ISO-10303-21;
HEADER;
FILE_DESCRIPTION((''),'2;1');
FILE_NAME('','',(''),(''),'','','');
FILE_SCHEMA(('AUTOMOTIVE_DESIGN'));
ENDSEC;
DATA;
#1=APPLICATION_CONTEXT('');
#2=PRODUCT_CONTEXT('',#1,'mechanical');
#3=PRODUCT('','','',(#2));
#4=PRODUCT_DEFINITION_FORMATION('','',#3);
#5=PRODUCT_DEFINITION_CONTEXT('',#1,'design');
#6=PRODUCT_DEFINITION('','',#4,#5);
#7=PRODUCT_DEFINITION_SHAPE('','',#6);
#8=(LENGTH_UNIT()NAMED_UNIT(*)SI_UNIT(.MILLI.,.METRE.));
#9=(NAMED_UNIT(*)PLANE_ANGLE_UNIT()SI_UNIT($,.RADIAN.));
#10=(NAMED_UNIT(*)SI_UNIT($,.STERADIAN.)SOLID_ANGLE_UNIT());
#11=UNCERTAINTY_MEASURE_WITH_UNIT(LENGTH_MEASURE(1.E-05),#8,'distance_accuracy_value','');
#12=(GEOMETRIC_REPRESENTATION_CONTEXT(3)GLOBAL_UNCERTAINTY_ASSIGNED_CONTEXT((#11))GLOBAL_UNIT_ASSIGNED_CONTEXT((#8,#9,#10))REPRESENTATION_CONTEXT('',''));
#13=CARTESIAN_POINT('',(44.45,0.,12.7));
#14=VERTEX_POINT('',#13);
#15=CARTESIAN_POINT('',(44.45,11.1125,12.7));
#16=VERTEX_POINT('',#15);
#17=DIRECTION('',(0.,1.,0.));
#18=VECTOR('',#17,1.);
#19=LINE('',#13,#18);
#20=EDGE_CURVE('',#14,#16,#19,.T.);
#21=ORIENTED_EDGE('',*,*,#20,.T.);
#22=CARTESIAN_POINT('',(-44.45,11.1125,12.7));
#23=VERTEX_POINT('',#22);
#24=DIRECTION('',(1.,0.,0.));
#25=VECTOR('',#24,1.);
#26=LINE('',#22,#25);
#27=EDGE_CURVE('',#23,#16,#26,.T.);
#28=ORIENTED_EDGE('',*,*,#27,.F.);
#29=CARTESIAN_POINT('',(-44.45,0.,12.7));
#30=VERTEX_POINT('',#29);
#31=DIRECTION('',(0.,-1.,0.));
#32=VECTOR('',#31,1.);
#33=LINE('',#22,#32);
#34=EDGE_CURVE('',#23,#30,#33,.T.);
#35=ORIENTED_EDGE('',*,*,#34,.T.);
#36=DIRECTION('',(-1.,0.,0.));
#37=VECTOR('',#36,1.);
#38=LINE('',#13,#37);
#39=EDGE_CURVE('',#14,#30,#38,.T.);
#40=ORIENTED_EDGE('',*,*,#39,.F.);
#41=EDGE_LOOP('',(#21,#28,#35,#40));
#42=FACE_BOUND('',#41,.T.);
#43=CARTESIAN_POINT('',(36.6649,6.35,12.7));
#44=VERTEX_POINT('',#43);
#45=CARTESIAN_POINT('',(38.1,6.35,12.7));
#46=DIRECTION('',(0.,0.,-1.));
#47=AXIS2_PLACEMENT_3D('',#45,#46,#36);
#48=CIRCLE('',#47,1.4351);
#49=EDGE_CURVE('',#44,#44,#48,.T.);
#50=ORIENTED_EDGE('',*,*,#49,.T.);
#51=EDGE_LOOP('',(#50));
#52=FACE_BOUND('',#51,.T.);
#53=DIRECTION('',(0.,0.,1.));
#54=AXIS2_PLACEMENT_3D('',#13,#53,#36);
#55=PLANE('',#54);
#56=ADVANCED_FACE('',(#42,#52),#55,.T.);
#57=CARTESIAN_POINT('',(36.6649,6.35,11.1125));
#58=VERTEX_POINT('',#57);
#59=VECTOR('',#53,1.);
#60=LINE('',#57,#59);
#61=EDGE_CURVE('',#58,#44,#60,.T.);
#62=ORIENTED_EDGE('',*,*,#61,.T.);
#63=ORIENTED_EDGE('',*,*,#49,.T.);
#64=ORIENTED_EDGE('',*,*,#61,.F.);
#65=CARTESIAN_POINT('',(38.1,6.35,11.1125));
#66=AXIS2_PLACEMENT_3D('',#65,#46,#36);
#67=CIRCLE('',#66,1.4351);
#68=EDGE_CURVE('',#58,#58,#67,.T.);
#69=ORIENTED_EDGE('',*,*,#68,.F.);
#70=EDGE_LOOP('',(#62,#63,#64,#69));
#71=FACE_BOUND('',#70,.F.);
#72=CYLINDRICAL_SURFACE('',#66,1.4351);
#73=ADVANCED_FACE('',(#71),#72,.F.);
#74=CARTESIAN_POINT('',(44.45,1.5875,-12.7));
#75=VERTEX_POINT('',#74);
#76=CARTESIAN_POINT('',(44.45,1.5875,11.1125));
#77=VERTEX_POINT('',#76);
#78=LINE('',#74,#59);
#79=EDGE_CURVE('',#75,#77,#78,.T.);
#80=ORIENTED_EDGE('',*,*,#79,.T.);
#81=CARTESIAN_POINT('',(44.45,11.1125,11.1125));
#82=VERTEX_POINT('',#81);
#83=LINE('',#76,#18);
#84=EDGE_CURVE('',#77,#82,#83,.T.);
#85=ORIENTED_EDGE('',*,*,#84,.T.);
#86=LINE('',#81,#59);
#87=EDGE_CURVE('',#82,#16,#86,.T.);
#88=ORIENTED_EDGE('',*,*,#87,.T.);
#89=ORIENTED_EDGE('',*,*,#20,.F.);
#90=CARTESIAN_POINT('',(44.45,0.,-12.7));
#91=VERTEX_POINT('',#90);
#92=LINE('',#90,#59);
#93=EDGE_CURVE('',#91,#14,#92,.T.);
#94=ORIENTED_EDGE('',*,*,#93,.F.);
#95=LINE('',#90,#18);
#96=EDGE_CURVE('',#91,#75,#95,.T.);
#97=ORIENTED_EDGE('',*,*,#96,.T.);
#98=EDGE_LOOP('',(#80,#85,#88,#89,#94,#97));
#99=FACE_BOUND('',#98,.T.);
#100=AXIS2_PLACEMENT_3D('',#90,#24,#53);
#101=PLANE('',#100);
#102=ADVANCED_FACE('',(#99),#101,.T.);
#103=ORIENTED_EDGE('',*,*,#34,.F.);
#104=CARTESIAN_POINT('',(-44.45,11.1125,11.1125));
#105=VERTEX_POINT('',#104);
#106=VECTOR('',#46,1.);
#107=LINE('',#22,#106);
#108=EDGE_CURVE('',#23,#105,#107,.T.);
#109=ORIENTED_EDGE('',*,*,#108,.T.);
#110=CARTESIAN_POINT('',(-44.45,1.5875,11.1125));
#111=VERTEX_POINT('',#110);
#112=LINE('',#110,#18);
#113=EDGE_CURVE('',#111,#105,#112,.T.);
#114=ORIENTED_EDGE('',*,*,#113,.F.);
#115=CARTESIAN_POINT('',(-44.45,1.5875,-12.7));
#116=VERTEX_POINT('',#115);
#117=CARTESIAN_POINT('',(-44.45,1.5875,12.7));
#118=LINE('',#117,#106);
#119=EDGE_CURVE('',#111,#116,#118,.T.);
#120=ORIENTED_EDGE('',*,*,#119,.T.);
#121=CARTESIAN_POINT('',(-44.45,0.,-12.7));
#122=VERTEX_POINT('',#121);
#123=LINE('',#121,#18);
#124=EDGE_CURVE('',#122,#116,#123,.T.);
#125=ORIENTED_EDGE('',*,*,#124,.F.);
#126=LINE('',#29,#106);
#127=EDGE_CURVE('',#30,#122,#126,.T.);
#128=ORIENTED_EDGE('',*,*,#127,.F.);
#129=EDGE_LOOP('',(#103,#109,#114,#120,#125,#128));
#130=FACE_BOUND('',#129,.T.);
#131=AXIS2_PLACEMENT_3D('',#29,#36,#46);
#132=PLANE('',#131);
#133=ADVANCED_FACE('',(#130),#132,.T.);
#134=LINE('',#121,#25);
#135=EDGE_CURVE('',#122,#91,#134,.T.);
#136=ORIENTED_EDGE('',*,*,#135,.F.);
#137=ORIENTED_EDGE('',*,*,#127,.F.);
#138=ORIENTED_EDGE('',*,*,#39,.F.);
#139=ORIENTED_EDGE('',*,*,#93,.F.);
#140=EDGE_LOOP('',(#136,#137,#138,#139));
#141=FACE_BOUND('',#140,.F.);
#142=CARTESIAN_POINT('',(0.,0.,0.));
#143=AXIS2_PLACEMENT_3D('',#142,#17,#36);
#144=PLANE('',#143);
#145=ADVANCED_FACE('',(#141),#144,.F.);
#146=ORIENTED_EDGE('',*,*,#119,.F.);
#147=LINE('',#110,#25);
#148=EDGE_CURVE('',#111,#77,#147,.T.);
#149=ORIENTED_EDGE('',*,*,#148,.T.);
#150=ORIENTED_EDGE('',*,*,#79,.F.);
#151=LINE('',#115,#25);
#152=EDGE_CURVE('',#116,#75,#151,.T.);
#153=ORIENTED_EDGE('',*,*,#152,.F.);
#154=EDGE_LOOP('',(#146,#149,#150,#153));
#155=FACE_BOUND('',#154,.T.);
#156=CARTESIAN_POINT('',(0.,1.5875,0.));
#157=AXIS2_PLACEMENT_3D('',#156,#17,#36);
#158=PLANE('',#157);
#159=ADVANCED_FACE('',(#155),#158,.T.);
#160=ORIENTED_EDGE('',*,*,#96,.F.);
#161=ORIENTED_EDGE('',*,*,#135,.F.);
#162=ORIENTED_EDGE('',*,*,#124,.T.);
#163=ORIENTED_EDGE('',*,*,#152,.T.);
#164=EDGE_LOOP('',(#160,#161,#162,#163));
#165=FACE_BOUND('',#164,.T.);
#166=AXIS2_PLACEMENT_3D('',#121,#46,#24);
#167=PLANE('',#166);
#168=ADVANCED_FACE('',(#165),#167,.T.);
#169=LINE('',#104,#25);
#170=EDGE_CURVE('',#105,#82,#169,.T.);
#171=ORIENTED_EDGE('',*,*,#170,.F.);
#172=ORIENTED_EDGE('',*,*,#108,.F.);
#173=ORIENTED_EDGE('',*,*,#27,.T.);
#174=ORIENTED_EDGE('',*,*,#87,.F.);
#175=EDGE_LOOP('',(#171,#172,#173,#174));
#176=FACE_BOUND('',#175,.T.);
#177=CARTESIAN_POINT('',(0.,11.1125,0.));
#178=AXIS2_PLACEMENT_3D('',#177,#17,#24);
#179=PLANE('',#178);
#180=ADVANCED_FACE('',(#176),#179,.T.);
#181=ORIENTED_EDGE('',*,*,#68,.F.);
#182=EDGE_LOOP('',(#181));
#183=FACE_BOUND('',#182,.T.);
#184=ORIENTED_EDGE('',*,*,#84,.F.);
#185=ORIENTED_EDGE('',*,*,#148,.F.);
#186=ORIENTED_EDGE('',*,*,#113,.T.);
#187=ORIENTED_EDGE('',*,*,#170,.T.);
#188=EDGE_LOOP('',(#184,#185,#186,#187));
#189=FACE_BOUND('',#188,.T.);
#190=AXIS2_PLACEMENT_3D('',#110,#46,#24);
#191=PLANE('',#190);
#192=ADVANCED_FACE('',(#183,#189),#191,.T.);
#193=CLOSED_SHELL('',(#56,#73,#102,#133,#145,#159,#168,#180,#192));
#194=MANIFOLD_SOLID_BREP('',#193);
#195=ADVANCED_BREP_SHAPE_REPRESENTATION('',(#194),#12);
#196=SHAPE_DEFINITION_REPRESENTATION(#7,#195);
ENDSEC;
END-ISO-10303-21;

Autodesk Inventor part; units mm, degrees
ref_plane "YZ Plane" through (0, 0, 0) normal (1, 0, 0) x (0, 1, 0)
ref_plane "XZ Plane" through (0, 0, 0) normal (0, 1, 0) x (-1, 0, 0)
ref_plane "XY Plane" through (0, 0, 0) normal (0, 0, 1) x (1, 0, 0)
sketch "Sketch1" plane through (0, 0, 0) normal (0, 1, 0) x (-1, 0, 0)
  line L0 (-44.45, 12.7) -> (44.45, 12.7)
  line L1 (44.45, 12.7) -> (44.45, -12.7)
  line L2 (44.45, -12.7) -> (-44.45, -12.7)
  line L3 (-44.45, -12.7) -> (-44.45, 12.7)
  line L4 (-44.45, 12.7) -> (44.45, -12.7) construction
  line L5 (44.45, 12.7) -> (-44.45, -12.7) construction
  point P0 (0, 0)
  dimension "d0" = 88.9
  dimension "d1" = 25.4
extrude "Extrusion1" add sketch "Sketch1" along normal blind 1.5875
sketch "Sketch2" plane through (0, 1.5875, 0) normal (0, 1, 0) x (1, 0, 0)
  line L0 (-44.45, -12.7) -> (44.45, -12.7) projected
  line L1 (-44.45, -12.7) -> (-44.45, -11.1125)
  line L2 (-44.45, 12.7) -> (-44.45, -12.7) projected
  line L3 (-44.45, -11.1125) -> (44.45, -11.1125)
  line L4 (44.45, -11.1125) -> (44.45, -12.7)
  line L5 (44.45, -12.7) -> (-44.45, -12.7)
  line L6 (-44.45, -12.7) -> (-44.45, -11.1125)
  point P0 (0, 0)
  dimension "d4" = 1.5875
extrude "Extrusion2" add sketch "Sketch2" along normal blind 9.525
sketch "Sketch3" plane through (44.45, 1.5875, 11.1125) normal (0, 0, -1) x (-1, 0, 0)
  line L0 (0, -1.5875) -> (0, 9.525) projected
  line L1 (0, 9.525) -> (6.35, 9.525)
  line L2 (88.9, 9.525) -> (0, 9.525) projected
  line L3 (88.9, 0) -> (0, 0) projected
  line L4 (88.9, 0) -> (88.9, 9.525) projected
  line L5 (0, 9.525) -> (88.9, 9.525) projected
  line L6 (0, 0) -> (0, 9.525) projected
  line L7 (0, 0) -> (88.9, 0) projected
  line L8 (6.35, 9.525) -> (6.35, 4.7625)
  circle A0 centre (6.35, 4.7625) radius 1.4351
  point P0 (44.45, -1.5875)
  dimension "d7" = 6.35
  dimension "d8" = 2.8702
extrude "Extrusion3" cut sketch "Sketch3" against normal through all contours A0
properties part number "Switch-Panel-Divider"
